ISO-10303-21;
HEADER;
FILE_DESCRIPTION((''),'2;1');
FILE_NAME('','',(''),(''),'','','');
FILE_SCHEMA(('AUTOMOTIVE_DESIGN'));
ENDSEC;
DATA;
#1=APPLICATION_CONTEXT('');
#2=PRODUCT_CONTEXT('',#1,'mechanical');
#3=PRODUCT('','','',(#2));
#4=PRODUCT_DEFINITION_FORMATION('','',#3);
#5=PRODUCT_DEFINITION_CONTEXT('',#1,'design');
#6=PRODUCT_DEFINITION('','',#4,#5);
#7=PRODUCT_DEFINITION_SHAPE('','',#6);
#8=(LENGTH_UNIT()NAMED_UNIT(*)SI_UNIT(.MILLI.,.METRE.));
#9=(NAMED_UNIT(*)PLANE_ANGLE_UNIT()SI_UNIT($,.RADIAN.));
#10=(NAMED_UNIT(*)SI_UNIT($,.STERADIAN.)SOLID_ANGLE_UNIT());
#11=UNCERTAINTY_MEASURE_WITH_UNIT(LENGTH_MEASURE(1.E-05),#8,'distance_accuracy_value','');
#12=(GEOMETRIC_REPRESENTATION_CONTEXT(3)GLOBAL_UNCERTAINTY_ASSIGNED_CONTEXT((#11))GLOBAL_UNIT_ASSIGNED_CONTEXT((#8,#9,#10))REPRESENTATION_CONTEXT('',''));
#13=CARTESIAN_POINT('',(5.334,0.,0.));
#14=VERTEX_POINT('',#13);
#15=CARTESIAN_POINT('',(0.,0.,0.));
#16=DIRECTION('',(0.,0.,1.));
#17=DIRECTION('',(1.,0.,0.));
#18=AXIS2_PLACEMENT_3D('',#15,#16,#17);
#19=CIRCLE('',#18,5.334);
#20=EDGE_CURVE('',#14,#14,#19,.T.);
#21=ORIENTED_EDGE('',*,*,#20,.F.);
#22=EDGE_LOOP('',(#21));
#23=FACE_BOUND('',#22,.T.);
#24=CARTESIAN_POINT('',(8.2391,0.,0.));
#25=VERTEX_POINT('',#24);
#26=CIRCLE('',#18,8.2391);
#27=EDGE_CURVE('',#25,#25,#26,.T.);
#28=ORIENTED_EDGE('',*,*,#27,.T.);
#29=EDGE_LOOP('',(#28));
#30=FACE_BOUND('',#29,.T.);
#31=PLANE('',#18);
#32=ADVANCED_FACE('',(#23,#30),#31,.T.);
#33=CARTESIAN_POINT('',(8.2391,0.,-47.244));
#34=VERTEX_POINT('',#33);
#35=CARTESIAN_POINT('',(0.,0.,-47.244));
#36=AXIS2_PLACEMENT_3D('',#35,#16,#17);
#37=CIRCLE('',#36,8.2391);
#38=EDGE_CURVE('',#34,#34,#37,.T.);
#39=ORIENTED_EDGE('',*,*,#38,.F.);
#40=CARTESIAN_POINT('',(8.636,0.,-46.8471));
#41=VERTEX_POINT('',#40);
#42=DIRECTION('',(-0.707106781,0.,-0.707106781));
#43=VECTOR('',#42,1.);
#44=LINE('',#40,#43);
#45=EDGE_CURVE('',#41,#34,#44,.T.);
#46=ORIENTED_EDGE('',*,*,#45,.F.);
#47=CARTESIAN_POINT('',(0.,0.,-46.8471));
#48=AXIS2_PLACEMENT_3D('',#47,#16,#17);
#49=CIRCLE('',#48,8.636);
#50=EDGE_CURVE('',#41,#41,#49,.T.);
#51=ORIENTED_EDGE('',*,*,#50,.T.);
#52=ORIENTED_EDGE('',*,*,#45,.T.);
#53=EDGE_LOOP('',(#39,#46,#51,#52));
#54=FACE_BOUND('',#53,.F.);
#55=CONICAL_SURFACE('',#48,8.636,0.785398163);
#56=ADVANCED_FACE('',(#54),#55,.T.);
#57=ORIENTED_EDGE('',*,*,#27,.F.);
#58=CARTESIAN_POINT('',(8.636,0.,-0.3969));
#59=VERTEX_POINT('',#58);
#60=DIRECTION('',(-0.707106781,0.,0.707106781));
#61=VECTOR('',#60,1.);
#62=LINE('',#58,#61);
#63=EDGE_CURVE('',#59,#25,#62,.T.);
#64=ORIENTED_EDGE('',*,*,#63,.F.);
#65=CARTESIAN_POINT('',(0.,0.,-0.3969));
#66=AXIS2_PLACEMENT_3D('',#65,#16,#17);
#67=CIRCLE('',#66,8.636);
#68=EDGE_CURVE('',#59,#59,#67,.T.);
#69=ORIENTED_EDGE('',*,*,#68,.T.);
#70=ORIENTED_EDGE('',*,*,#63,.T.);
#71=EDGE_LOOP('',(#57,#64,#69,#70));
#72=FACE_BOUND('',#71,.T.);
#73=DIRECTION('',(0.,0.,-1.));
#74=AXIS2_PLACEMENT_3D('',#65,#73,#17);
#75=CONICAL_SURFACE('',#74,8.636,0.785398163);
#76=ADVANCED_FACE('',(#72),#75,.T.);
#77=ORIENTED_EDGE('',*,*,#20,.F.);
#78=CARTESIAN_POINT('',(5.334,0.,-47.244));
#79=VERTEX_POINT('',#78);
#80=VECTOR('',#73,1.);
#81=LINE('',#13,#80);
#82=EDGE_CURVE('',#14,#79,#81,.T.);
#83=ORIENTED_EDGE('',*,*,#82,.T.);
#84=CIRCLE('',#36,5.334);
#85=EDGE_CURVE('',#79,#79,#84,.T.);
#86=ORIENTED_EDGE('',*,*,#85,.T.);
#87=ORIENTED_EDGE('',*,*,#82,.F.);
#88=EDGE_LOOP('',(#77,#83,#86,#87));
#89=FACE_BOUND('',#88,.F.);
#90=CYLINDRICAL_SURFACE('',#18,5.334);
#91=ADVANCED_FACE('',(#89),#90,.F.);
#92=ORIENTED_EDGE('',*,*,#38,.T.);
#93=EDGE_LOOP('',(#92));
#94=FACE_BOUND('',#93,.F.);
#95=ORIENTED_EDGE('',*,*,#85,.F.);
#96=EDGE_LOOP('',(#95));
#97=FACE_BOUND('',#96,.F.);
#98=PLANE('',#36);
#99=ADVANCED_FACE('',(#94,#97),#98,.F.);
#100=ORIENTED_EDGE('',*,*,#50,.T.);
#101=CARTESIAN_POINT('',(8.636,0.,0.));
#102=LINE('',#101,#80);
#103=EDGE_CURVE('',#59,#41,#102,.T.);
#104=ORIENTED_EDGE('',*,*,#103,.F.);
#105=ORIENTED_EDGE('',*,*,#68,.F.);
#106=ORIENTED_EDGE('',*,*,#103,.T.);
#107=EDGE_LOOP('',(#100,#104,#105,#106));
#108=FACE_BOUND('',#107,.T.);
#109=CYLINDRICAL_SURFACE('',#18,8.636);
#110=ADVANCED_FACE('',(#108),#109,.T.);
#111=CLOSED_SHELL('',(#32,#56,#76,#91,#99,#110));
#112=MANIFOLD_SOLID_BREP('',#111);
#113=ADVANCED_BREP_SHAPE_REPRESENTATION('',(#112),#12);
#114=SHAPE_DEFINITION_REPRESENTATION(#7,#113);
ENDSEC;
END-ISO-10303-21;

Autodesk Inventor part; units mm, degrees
ref_plane "YZ Plane" through (0, 0, 0) normal (1, 0, 0) x (0, 1, 0)
ref_plane "XZ Plane" through (0, 0, 0) normal (0, 1, 0) x (-1, 0, 0)
ref_plane "XY Plane" through (0, 0, 0) normal (0, 0, 1) x (1, 0, 0)
sketch "Sketch1" plane through (0, 0, 0) normal (0, 0, 1) x (1, 0, 0)
  circle A0 centre (0, 0) radius 5.334
  circle A1 centre (0, 0) radius 8.636
  dimension "d0" = 10.668
  dimension "d1" = 17.272
extrude "Extrusion1" add sketch "Sketch1" against normal blind 47.244
chamfer "Chamfer1" distance 0.3969 angle 45 2 edges at (-8.636, 0, 0) (-8.636, 0, -47.244)
properties part number "am-0243"
